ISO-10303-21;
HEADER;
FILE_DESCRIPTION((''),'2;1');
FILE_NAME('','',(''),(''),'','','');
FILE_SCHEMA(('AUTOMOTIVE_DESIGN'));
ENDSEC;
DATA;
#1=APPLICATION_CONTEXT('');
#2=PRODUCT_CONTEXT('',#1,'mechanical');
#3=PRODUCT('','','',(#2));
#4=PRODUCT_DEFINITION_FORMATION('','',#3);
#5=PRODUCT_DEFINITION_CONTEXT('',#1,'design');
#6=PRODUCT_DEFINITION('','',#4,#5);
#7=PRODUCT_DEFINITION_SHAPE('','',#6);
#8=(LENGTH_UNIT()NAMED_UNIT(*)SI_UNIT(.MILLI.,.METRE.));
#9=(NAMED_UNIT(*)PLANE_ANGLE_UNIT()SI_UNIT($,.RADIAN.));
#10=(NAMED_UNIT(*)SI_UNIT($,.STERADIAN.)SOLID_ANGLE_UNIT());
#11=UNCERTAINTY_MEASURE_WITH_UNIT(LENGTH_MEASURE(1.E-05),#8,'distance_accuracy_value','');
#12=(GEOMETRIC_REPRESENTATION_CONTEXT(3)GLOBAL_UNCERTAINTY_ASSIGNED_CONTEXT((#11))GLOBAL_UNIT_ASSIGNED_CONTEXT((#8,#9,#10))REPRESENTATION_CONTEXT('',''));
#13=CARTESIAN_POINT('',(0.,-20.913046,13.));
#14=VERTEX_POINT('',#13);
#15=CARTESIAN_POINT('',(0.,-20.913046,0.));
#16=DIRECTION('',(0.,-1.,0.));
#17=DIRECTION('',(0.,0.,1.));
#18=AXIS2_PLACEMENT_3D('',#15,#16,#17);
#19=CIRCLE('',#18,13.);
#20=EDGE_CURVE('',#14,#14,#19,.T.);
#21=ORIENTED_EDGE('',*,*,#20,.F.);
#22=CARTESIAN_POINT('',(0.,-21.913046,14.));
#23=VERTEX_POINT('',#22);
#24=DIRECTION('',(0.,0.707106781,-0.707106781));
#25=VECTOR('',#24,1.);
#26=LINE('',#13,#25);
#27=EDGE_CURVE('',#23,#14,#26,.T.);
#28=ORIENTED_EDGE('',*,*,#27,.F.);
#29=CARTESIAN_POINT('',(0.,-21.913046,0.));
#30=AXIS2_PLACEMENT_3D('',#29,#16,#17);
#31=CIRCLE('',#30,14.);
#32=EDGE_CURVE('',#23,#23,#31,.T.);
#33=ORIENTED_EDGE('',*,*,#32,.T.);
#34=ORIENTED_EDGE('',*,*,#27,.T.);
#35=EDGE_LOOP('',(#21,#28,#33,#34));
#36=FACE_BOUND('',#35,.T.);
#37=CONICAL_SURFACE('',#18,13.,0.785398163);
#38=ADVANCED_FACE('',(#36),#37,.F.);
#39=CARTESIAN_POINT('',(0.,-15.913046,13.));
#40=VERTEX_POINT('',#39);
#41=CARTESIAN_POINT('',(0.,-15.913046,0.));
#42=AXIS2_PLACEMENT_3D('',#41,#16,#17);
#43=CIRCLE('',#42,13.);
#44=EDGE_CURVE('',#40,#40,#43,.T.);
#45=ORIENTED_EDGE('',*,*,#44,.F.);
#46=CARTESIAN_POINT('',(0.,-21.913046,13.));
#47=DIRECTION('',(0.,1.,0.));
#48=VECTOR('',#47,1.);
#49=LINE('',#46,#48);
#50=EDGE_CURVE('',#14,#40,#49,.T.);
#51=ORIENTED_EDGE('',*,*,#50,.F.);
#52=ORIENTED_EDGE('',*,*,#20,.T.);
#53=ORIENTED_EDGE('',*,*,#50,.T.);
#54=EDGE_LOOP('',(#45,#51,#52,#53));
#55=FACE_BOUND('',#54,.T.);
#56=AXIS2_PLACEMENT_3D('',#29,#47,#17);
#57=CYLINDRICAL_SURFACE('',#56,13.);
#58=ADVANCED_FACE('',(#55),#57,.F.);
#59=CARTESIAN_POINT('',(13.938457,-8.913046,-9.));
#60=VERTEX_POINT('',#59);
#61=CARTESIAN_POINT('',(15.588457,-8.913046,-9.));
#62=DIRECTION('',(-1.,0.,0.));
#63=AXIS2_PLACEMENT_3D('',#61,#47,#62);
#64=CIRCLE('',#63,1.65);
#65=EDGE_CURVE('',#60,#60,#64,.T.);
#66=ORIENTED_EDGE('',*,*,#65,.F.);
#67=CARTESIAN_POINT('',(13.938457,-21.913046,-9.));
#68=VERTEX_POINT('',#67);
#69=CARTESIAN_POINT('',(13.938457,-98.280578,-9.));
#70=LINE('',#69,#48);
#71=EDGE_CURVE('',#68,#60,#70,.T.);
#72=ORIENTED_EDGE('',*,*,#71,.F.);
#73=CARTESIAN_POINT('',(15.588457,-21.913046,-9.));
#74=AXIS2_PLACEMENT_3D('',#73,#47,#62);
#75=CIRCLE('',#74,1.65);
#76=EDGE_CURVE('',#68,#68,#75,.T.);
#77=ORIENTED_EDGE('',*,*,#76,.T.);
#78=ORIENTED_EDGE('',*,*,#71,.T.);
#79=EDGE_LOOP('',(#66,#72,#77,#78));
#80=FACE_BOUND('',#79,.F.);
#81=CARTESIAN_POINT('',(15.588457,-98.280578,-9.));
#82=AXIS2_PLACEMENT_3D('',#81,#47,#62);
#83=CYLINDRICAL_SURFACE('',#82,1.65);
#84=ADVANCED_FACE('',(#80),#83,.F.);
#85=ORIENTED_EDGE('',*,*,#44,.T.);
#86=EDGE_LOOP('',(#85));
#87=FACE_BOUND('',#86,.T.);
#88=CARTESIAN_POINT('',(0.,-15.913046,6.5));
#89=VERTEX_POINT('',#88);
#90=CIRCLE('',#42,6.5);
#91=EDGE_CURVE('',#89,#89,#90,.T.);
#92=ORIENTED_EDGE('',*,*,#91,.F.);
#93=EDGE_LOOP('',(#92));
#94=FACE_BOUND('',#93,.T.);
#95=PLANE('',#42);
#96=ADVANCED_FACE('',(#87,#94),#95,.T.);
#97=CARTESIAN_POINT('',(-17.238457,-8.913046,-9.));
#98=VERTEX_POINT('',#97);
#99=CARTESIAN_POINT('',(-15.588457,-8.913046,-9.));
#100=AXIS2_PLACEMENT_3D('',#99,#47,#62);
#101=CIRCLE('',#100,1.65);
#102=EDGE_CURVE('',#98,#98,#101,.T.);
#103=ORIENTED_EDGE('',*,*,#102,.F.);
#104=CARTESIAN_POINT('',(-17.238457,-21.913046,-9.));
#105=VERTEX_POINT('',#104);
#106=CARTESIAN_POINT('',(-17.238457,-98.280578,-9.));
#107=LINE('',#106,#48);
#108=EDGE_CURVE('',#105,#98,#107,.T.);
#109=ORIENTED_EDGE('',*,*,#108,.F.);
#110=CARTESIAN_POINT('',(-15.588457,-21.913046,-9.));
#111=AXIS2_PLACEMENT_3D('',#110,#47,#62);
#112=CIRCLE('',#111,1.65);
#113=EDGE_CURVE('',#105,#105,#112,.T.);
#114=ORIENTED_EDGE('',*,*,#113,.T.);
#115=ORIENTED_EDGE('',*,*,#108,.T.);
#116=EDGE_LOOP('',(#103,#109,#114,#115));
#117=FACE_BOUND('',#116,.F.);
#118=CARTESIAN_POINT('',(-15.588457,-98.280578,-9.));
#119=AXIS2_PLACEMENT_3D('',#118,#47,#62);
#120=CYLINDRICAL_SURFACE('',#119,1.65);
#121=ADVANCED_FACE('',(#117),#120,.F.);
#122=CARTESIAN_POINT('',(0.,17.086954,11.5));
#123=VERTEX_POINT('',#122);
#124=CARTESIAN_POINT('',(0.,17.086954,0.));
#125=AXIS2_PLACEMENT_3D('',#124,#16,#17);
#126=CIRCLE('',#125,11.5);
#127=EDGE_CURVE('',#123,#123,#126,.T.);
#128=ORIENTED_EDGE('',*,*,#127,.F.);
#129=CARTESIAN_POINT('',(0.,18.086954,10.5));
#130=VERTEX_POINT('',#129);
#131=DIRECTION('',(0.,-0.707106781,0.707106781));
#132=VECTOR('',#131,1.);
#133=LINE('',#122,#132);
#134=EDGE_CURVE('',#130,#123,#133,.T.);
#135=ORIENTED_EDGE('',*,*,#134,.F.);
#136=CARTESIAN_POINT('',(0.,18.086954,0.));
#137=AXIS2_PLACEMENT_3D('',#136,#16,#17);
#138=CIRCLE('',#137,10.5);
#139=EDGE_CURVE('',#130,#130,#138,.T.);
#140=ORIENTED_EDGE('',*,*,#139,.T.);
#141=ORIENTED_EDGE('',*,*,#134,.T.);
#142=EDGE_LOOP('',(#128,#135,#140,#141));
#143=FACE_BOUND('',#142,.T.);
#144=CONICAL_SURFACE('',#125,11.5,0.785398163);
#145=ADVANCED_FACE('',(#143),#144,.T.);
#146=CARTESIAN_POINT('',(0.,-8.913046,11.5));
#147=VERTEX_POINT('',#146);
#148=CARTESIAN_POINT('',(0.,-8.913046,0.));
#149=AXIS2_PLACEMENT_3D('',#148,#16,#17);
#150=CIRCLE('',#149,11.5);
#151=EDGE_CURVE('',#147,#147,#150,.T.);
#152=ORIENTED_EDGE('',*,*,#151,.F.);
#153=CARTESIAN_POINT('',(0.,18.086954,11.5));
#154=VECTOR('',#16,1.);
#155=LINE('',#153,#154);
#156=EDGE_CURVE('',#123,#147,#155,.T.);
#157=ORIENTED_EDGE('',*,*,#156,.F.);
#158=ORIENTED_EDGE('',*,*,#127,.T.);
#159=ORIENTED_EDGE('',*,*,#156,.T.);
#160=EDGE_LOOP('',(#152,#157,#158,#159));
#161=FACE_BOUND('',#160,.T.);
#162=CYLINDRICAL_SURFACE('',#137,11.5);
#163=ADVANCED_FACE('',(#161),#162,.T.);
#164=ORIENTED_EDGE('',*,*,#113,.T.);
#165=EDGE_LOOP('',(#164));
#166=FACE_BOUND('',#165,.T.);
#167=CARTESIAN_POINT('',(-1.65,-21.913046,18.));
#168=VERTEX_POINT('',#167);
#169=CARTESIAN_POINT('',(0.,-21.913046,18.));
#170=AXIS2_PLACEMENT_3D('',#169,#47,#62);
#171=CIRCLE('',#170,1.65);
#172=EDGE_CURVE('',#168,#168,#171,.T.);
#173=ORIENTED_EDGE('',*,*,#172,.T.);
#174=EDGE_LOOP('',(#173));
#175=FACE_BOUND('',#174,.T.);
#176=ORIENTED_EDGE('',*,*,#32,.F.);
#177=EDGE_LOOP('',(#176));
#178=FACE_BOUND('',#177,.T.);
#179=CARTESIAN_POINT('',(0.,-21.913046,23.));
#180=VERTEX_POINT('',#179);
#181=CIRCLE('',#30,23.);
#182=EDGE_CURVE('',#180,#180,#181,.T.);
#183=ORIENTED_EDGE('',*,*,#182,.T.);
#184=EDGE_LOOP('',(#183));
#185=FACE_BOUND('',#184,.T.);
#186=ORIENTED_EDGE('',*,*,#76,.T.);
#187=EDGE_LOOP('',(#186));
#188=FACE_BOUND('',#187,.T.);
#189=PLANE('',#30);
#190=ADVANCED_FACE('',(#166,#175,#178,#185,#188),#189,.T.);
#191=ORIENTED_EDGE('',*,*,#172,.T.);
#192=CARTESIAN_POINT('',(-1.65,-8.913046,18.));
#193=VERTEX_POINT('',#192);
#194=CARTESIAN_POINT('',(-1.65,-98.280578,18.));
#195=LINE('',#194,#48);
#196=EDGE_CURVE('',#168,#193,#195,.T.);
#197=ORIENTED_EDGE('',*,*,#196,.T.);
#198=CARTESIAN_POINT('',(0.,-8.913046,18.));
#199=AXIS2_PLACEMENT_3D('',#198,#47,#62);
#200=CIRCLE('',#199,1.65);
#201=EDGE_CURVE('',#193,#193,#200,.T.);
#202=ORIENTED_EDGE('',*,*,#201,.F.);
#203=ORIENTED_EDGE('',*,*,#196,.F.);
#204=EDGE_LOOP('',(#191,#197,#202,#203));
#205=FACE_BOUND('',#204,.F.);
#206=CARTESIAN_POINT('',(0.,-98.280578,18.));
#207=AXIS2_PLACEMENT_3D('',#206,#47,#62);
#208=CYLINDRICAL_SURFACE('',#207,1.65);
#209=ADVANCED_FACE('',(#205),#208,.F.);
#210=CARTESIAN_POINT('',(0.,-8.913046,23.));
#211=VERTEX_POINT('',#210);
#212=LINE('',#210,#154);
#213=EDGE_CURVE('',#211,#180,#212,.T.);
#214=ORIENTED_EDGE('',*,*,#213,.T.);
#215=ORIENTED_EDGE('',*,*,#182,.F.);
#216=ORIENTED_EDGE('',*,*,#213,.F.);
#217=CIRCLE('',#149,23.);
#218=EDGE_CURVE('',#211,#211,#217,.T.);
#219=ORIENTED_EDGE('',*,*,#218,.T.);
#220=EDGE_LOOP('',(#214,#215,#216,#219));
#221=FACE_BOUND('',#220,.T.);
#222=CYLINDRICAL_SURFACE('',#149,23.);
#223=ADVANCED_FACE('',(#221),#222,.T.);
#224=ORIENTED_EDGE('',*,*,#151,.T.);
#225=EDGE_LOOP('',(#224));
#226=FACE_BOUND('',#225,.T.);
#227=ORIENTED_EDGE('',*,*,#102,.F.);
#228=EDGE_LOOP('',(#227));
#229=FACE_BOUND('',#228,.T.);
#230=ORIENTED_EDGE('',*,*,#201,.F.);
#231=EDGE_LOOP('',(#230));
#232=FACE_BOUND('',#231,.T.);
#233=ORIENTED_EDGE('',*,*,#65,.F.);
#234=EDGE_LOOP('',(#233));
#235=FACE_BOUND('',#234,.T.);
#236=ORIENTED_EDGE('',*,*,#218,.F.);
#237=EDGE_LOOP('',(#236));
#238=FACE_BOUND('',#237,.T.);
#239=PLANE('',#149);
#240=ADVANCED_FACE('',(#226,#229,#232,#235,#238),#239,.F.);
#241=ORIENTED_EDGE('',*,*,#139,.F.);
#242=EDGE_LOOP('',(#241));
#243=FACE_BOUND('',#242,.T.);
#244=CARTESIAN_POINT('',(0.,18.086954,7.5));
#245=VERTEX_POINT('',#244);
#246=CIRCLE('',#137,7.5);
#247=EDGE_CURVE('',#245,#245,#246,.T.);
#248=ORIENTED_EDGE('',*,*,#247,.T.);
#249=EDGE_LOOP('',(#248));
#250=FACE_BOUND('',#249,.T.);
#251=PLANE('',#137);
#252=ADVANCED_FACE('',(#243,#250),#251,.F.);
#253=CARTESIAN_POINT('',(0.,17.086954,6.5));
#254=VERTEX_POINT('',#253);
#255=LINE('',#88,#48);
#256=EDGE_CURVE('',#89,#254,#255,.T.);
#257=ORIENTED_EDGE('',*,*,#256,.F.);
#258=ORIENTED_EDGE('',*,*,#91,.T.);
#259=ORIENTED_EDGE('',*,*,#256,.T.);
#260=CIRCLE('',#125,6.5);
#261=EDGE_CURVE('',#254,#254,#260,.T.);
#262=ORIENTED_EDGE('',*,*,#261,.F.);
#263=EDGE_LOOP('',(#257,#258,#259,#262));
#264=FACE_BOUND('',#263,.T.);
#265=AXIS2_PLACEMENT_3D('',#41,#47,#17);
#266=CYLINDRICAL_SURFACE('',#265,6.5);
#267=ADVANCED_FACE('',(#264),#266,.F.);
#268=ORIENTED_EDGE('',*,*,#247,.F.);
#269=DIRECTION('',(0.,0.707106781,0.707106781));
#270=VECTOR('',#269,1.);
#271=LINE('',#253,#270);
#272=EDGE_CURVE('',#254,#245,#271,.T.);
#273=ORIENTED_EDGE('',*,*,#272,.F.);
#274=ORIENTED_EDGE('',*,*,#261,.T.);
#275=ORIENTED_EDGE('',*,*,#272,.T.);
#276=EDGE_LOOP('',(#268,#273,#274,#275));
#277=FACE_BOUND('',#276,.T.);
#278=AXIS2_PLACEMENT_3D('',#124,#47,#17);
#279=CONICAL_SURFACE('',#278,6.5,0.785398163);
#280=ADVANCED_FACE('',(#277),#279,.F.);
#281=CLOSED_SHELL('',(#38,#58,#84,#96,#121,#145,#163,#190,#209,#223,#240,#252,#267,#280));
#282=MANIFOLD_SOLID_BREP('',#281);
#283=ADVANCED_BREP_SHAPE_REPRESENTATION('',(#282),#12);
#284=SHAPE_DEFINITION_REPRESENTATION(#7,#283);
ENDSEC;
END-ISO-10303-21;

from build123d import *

# Parameters (mm, degrees)
F2_SIZE = 1
F4_D    = 3.3


with BuildPart() as f1:
    # F0 (on Right) → F1 (revolve)
    with BuildSketch(Plane.YZ):
        Polygon((-15.9130460173, 6.5), (18.0869539827, 6.5), (18.0869539827, 11.5), (-8.9130460173, 11.5), (-8.9130460173, 23), (-21.9130460173, 23), (-21.9130460173, 13), (-15.9130460173, 13), align=None)
    revolve(axis=Axis((0, -2.1911122165, 0), (0, -1, 0)))

    # F2
    f2_edges = [f1.edges().sort_by_distance(p)[0] for p in [
        (0, 18.086954, -11.5),
        (0, 18.086954, -6.5),
        (0, -21.913046, -13),
    ]]
    chamfer(f2_edges, length=F2_SIZE)

    # F4 (through all)
    with Locations(Plane.XZ.offset(21.9130460173)):
        with Locations((0, 18), (-15.5884572681, -9), (15.5884572681, -9)):
            Hole(F4_D / 2)


solid = f1.part
